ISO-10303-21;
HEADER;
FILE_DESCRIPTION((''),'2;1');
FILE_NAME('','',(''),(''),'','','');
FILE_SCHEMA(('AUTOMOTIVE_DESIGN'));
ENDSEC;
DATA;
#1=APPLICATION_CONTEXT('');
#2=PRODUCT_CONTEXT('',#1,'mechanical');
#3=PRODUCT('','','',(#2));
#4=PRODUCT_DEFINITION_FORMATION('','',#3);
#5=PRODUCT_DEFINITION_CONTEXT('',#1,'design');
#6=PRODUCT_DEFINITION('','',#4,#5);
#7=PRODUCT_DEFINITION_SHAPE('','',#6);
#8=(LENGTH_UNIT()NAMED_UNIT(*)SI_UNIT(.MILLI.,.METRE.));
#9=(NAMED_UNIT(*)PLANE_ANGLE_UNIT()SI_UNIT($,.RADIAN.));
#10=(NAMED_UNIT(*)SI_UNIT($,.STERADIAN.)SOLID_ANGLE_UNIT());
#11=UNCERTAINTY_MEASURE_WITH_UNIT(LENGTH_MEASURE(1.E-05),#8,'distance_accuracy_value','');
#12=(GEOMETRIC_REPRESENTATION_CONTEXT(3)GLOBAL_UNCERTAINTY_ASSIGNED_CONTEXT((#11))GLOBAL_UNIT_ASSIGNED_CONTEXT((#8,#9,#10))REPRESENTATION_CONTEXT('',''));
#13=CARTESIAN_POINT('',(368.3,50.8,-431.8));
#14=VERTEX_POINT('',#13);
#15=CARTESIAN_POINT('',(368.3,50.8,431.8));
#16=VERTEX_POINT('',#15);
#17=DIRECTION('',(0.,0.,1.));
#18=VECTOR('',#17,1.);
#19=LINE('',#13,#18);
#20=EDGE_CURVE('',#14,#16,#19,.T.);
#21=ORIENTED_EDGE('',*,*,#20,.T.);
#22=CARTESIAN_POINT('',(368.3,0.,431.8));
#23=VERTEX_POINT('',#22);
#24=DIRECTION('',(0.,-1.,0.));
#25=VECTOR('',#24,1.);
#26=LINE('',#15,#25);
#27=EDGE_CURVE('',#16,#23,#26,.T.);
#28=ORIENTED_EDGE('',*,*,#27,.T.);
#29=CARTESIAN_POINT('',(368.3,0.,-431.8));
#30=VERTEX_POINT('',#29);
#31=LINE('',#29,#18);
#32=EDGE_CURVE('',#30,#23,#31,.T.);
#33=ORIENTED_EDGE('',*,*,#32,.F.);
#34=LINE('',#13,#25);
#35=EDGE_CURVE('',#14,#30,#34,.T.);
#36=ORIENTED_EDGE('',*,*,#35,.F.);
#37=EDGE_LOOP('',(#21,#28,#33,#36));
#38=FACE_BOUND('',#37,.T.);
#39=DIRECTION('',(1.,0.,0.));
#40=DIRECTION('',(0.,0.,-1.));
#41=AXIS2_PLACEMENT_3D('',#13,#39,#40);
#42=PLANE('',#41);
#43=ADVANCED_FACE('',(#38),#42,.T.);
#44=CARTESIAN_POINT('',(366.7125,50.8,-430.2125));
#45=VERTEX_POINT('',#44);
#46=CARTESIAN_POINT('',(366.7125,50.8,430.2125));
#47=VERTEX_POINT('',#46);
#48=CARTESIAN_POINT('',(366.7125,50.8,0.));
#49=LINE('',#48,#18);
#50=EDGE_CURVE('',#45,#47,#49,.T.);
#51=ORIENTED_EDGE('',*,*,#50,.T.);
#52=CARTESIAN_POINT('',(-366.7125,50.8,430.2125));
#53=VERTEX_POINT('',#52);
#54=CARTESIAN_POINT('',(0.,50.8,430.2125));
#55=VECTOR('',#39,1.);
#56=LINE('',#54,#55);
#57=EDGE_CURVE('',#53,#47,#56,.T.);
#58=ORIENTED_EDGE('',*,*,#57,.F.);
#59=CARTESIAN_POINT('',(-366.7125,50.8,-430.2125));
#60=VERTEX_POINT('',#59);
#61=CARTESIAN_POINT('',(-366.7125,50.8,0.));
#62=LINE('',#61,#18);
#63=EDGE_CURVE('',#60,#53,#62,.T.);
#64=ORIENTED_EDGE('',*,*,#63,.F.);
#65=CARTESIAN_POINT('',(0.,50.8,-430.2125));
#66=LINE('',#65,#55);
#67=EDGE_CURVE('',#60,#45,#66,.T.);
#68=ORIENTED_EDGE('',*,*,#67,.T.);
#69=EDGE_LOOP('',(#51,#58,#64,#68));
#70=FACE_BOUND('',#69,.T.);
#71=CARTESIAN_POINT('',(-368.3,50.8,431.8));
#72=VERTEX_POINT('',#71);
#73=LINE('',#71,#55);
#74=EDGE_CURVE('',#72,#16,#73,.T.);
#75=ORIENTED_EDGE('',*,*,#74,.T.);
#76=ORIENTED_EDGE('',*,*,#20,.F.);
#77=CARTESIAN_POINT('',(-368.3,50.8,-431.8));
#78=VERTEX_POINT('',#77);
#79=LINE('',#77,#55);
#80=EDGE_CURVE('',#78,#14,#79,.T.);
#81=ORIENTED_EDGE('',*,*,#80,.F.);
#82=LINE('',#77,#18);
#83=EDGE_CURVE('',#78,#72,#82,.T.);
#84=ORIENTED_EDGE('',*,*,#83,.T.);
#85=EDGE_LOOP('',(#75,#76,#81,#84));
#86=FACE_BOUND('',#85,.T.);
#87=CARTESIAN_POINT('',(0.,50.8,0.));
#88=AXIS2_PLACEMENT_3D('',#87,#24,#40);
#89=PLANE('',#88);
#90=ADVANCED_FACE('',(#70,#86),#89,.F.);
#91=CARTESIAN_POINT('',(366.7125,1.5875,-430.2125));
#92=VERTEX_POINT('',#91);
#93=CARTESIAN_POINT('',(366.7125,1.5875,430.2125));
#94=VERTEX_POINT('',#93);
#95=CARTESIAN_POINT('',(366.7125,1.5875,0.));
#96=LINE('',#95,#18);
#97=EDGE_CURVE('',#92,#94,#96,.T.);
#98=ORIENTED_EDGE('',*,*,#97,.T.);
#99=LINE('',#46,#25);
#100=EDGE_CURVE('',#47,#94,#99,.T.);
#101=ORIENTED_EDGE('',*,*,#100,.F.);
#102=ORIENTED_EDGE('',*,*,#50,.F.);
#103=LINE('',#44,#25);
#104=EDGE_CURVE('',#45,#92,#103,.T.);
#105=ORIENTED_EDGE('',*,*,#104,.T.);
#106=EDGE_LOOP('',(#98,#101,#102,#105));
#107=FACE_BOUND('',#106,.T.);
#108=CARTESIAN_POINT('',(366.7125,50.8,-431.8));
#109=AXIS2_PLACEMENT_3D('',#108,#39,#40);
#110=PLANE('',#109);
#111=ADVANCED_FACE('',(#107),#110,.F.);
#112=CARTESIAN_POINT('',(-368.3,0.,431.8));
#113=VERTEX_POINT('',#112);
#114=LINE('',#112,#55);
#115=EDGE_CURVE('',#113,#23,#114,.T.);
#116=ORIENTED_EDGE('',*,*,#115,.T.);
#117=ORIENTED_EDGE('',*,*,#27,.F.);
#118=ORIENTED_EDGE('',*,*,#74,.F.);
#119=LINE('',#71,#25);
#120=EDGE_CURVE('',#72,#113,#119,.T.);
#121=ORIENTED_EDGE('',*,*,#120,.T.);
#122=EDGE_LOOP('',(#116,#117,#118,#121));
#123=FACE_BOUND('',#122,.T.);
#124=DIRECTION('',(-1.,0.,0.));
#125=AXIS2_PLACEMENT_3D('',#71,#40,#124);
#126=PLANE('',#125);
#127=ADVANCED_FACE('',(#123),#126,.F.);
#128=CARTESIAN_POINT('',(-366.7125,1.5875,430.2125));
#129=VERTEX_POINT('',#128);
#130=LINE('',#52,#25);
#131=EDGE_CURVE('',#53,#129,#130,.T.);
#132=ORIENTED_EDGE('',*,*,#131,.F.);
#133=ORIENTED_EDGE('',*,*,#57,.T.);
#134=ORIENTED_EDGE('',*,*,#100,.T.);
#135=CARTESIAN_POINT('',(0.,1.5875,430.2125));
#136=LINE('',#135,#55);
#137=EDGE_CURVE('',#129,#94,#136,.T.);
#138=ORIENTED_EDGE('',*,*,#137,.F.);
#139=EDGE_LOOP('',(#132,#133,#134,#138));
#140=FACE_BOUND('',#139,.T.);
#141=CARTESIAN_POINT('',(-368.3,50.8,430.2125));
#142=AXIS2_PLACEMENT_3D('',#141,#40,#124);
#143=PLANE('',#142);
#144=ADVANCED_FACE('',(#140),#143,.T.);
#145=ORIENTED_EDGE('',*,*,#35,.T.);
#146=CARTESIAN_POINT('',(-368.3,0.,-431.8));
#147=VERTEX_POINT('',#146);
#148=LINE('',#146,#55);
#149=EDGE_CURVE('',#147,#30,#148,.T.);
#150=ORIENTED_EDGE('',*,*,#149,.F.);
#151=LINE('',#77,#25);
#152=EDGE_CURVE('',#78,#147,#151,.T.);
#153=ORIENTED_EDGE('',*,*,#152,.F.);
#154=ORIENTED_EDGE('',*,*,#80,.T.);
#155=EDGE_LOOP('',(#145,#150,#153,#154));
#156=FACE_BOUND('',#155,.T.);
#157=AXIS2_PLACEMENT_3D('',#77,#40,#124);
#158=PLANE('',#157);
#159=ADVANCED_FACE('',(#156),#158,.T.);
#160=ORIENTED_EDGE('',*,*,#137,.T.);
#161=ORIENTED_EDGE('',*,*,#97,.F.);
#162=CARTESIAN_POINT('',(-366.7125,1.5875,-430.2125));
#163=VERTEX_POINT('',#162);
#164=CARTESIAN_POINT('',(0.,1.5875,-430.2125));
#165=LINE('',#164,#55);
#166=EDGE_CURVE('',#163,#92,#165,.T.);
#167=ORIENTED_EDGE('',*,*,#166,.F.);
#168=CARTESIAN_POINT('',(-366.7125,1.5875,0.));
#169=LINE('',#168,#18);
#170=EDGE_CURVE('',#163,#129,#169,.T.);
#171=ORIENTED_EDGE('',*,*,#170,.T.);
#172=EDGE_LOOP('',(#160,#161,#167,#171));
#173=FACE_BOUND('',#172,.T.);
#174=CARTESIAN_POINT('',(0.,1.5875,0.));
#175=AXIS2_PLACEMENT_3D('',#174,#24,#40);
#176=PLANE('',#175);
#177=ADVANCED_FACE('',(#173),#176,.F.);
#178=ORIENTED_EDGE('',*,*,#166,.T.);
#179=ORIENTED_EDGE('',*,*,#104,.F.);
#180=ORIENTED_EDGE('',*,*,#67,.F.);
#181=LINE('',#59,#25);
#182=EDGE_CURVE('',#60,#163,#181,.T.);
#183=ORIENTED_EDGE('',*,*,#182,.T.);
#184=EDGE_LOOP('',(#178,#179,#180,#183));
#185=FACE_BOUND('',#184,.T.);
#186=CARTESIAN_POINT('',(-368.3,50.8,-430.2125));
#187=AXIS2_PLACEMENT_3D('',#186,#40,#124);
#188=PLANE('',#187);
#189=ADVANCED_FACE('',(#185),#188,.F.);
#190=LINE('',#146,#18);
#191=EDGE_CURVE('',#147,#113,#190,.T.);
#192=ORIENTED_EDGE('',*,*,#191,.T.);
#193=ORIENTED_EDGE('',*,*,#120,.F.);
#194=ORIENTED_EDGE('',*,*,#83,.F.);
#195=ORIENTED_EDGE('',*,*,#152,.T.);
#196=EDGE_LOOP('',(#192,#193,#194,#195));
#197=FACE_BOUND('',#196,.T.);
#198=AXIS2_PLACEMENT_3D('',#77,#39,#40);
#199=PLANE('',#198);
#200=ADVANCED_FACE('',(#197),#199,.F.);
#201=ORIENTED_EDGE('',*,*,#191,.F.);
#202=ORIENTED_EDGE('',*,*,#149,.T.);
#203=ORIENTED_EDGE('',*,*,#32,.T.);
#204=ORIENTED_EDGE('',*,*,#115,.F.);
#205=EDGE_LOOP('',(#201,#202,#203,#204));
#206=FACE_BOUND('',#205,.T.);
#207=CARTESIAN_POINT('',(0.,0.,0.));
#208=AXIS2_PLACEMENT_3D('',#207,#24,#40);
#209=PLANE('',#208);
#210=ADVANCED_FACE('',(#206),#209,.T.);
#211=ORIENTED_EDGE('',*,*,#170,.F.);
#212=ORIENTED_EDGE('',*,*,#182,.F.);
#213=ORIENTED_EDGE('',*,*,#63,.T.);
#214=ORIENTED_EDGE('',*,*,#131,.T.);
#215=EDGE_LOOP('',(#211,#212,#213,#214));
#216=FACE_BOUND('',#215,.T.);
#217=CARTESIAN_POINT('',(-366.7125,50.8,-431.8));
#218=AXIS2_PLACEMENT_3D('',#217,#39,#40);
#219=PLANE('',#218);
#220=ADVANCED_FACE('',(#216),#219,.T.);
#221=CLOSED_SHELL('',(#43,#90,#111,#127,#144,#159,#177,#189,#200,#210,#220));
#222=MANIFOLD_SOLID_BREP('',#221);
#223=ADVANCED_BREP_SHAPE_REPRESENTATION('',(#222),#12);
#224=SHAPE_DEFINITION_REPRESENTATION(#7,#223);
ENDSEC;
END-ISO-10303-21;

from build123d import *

# Parameters (mm, degrees)
SKETCH1_W           = 736.6
SKETCH1_H           = 863.6
BOSS_EXTRUDE1_DEPTH = 50.8
SHELL1_T            = -1.5875


with BuildPart() as part:
    # Sketch1 → Boss-Extrude1 (new body)
    with BuildSketch(Plane(origin=(0, 0, 0), x_dir=(1, 0, 0), z_dir=(0, 1, 0))):
        Rectangle(SKETCH1_W, SKETCH1_H)
    extrude(amount=BOSS_EXTRUDE1_DEPTH)

    # Shell1
    shell1_openings = [part.faces().sort_by_distance(p)[0] for p in [
        (0, 50.8, 0),
    ]]
    offset(amount=SHELL1_T, openings=shell1_openings, kind=Kind.INTERSECTION)


solid = part.part
